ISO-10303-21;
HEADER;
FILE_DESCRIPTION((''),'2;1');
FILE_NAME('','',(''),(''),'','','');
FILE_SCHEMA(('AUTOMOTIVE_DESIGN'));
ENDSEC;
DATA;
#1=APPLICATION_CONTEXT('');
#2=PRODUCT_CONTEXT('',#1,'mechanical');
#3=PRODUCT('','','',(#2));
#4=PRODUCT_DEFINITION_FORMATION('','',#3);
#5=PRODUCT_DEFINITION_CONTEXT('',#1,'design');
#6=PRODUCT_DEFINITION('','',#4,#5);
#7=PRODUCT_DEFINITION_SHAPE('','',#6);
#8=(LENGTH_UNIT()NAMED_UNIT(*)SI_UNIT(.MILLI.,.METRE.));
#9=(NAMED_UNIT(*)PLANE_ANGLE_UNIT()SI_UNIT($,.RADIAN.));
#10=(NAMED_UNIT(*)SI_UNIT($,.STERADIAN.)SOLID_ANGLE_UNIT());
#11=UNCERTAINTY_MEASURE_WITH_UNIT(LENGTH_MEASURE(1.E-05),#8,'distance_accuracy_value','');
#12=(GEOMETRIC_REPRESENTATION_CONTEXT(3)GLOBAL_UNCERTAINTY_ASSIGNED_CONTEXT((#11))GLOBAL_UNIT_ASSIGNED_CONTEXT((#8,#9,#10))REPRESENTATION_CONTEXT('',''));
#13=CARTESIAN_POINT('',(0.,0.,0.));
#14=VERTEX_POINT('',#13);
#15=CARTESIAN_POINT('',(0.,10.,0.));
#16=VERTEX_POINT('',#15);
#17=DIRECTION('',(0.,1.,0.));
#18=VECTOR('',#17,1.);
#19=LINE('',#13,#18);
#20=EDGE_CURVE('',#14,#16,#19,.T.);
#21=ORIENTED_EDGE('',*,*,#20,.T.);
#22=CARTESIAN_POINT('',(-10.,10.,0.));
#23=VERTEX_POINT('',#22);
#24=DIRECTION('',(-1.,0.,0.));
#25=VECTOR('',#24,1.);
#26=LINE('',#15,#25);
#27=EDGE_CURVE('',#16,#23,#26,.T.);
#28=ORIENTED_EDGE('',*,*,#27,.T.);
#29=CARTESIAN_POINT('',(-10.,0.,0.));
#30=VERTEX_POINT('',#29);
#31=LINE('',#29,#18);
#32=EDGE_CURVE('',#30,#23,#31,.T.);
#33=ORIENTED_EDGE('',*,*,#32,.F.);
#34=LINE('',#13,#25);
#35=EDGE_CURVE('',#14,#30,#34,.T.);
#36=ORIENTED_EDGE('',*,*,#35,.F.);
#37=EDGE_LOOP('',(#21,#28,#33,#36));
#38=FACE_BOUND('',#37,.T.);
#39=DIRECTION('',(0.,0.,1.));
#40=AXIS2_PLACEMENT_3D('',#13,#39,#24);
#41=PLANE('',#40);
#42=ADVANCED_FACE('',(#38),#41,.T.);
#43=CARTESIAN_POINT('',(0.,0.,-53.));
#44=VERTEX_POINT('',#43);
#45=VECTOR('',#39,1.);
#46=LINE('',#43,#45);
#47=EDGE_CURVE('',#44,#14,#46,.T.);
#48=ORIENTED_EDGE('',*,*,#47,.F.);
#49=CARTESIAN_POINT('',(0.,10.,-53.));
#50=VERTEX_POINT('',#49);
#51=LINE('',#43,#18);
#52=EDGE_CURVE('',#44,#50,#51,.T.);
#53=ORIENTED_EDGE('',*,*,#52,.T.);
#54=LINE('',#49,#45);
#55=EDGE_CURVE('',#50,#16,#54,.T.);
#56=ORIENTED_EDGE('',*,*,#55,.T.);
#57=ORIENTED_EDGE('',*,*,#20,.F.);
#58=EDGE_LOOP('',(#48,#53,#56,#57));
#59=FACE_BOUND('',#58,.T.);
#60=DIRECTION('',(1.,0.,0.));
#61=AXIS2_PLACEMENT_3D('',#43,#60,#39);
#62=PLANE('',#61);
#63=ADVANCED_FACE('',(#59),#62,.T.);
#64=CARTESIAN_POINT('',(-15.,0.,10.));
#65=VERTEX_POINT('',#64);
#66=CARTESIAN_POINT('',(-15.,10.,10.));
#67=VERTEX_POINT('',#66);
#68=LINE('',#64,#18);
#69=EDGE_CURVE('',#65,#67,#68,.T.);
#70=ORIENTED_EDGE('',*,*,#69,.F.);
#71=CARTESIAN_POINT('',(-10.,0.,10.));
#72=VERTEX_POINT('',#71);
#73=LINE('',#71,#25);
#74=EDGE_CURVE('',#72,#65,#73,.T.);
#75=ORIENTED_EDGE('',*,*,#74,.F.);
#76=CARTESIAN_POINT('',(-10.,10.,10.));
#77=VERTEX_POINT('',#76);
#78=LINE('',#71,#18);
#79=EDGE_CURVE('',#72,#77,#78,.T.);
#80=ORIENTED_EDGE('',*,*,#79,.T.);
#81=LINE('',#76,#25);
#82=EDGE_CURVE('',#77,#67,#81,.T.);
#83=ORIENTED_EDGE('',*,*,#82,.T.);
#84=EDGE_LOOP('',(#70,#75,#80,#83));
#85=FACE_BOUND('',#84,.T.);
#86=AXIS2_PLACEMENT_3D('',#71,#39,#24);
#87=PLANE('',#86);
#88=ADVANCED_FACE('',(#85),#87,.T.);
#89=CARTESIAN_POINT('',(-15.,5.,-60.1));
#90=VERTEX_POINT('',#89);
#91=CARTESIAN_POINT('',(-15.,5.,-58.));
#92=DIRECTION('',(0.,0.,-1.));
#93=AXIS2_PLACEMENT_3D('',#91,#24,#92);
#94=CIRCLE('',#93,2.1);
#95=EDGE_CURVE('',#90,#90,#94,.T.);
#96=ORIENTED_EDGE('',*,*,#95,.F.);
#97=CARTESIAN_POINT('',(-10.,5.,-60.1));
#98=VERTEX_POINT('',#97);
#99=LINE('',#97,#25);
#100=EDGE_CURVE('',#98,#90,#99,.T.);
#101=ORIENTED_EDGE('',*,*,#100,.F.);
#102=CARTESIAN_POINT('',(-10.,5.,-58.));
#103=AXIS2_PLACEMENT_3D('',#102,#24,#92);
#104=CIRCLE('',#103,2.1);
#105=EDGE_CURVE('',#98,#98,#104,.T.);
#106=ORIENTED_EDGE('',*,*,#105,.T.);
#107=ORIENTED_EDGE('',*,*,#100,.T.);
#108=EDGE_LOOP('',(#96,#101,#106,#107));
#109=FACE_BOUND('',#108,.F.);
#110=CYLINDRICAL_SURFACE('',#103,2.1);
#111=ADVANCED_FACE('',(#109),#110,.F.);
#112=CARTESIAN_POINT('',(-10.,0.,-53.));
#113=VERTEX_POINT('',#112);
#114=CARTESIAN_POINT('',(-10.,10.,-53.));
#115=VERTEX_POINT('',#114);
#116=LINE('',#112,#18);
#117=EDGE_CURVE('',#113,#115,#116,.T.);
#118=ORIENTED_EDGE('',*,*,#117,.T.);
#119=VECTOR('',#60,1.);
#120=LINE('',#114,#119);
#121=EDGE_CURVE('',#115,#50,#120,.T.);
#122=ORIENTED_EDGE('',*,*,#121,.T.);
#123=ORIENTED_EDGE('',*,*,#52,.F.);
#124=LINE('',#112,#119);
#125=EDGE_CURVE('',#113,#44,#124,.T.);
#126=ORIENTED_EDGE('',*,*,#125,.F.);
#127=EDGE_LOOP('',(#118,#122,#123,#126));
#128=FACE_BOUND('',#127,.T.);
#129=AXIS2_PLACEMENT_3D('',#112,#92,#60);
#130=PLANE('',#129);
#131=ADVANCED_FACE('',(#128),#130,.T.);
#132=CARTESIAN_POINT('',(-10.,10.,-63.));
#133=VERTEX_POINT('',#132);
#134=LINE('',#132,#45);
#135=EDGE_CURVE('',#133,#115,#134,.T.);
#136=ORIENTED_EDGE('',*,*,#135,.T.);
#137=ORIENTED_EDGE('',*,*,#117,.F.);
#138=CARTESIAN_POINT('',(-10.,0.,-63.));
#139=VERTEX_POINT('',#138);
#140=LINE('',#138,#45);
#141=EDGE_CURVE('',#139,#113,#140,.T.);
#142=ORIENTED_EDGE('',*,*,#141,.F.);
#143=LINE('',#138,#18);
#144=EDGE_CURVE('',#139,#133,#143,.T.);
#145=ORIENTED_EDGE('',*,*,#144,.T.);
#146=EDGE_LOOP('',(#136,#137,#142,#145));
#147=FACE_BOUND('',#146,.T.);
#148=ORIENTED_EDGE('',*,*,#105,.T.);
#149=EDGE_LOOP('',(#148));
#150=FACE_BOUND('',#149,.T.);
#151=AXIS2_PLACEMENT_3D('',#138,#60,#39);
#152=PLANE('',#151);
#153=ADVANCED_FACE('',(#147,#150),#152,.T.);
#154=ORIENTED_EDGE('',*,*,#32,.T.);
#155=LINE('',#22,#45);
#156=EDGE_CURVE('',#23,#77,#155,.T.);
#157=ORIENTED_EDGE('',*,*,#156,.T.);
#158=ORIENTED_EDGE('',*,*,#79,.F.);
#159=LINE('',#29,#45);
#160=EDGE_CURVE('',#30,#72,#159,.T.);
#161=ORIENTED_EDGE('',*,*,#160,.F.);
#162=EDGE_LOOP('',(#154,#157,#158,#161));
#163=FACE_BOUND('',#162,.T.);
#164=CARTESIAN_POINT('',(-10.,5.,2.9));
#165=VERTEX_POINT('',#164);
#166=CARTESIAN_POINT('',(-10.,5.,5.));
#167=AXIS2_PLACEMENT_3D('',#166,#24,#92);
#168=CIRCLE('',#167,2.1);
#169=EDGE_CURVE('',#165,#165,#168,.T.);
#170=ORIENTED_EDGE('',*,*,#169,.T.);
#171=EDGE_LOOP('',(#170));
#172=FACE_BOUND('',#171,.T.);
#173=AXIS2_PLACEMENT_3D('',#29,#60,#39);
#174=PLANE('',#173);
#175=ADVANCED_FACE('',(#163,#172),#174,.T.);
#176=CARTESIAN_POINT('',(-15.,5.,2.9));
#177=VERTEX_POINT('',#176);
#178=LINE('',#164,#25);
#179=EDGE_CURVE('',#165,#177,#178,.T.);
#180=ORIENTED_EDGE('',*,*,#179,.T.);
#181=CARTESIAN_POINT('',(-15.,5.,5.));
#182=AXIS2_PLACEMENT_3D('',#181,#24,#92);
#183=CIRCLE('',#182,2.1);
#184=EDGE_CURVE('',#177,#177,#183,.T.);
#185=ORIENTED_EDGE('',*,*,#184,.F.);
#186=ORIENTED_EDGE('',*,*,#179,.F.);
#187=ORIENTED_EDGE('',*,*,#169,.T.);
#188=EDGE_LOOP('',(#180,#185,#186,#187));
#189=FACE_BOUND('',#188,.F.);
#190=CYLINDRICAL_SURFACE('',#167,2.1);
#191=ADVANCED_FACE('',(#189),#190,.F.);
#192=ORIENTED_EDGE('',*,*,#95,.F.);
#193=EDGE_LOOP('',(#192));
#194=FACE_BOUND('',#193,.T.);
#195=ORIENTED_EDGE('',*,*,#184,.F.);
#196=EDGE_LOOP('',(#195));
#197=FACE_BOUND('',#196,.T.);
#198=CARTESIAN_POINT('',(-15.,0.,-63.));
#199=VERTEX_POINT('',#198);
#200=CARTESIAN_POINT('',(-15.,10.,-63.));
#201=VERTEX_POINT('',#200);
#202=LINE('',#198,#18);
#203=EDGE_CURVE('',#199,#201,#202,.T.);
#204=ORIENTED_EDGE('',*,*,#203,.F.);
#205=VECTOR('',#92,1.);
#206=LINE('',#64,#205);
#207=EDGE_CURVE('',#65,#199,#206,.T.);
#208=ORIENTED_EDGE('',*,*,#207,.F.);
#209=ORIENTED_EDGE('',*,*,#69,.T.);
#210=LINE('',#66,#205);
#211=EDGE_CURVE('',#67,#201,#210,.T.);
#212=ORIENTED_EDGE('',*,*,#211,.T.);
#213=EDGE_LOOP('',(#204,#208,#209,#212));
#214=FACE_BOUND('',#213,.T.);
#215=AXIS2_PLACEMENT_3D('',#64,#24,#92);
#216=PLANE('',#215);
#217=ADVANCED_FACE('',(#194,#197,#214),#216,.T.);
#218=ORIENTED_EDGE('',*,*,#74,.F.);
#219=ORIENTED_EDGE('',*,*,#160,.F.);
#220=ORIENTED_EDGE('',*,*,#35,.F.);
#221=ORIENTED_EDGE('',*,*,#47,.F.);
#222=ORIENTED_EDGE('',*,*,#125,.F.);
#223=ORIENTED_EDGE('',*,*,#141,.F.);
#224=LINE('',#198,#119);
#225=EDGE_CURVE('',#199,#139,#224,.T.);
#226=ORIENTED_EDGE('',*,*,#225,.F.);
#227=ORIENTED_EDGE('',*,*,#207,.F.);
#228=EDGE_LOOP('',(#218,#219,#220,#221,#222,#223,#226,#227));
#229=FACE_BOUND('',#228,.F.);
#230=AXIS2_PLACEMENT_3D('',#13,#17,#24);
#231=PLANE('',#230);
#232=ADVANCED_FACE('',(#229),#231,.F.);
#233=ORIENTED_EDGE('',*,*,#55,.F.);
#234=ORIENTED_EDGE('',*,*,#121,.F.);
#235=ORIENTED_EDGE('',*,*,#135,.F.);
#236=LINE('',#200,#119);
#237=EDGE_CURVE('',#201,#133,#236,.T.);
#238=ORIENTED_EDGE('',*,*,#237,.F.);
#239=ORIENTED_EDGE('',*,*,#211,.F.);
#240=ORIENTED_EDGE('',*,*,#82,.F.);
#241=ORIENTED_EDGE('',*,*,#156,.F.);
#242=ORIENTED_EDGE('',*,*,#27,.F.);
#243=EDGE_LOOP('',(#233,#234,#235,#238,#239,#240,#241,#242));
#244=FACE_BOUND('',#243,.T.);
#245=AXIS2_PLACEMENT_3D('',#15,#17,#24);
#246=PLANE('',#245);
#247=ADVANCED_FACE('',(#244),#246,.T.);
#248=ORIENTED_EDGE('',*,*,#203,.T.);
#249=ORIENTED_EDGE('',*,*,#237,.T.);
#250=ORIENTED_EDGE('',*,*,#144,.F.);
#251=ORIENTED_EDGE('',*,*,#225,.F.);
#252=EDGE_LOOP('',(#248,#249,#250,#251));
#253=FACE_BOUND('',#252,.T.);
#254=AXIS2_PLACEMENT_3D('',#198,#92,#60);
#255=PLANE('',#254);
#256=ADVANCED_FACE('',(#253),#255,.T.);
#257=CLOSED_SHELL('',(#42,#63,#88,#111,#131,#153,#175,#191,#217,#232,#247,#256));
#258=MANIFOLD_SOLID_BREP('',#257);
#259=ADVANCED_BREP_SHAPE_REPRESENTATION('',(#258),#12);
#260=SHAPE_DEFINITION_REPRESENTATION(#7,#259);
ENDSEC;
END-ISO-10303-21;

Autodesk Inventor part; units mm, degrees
ref_plane "YZ Plane" through (0, 0, 0) normal (1, 0, 0) x (0, 1, 0)
ref_plane "XZ Plane" through (0, 0, 0) normal (0, 1, 0) x (-1, 0, 0)
ref_plane "XY Plane" through (0, 0, 0) normal (0, 0, 1) x (1, 0, 0)
sketch "Sketch1" plane through (0, 0, 0) normal (0, 1, 0) x (-1, 0, 0)
  line L0 (0, 0) -> (10, 0)
  line L1 (10, 0) -> (10, 10)
  line L2 (10, 10) -> (15, 10)
  line L3 (15, 10) -> (15, -63)
  line L4 (15, -63) -> (10, -63)
  line L5 (10, -63) -> (10, -53)
  line L6 (10, -53) -> (0, -53)
  line L7 (0, -53) -> (0, 0)
  dimension "d6" = 53
  dimension "d7" = 73
  dimension "d8" = 10
  dimension "d9" = 5
  dimension "d10" = 10
extrude "Extrusion1" add sketch "Sketch1" along normal blind 10
hole "Hole1" at (-10, 5, 5) direction (-1, 0, 0) diameter 4.2 end through all
hole "Hole2" at (-10, 5, -58) direction (-1, 0, 0) diameter 4.2 end through all
properties part number "frontBeam" material "ABS Plastic"
